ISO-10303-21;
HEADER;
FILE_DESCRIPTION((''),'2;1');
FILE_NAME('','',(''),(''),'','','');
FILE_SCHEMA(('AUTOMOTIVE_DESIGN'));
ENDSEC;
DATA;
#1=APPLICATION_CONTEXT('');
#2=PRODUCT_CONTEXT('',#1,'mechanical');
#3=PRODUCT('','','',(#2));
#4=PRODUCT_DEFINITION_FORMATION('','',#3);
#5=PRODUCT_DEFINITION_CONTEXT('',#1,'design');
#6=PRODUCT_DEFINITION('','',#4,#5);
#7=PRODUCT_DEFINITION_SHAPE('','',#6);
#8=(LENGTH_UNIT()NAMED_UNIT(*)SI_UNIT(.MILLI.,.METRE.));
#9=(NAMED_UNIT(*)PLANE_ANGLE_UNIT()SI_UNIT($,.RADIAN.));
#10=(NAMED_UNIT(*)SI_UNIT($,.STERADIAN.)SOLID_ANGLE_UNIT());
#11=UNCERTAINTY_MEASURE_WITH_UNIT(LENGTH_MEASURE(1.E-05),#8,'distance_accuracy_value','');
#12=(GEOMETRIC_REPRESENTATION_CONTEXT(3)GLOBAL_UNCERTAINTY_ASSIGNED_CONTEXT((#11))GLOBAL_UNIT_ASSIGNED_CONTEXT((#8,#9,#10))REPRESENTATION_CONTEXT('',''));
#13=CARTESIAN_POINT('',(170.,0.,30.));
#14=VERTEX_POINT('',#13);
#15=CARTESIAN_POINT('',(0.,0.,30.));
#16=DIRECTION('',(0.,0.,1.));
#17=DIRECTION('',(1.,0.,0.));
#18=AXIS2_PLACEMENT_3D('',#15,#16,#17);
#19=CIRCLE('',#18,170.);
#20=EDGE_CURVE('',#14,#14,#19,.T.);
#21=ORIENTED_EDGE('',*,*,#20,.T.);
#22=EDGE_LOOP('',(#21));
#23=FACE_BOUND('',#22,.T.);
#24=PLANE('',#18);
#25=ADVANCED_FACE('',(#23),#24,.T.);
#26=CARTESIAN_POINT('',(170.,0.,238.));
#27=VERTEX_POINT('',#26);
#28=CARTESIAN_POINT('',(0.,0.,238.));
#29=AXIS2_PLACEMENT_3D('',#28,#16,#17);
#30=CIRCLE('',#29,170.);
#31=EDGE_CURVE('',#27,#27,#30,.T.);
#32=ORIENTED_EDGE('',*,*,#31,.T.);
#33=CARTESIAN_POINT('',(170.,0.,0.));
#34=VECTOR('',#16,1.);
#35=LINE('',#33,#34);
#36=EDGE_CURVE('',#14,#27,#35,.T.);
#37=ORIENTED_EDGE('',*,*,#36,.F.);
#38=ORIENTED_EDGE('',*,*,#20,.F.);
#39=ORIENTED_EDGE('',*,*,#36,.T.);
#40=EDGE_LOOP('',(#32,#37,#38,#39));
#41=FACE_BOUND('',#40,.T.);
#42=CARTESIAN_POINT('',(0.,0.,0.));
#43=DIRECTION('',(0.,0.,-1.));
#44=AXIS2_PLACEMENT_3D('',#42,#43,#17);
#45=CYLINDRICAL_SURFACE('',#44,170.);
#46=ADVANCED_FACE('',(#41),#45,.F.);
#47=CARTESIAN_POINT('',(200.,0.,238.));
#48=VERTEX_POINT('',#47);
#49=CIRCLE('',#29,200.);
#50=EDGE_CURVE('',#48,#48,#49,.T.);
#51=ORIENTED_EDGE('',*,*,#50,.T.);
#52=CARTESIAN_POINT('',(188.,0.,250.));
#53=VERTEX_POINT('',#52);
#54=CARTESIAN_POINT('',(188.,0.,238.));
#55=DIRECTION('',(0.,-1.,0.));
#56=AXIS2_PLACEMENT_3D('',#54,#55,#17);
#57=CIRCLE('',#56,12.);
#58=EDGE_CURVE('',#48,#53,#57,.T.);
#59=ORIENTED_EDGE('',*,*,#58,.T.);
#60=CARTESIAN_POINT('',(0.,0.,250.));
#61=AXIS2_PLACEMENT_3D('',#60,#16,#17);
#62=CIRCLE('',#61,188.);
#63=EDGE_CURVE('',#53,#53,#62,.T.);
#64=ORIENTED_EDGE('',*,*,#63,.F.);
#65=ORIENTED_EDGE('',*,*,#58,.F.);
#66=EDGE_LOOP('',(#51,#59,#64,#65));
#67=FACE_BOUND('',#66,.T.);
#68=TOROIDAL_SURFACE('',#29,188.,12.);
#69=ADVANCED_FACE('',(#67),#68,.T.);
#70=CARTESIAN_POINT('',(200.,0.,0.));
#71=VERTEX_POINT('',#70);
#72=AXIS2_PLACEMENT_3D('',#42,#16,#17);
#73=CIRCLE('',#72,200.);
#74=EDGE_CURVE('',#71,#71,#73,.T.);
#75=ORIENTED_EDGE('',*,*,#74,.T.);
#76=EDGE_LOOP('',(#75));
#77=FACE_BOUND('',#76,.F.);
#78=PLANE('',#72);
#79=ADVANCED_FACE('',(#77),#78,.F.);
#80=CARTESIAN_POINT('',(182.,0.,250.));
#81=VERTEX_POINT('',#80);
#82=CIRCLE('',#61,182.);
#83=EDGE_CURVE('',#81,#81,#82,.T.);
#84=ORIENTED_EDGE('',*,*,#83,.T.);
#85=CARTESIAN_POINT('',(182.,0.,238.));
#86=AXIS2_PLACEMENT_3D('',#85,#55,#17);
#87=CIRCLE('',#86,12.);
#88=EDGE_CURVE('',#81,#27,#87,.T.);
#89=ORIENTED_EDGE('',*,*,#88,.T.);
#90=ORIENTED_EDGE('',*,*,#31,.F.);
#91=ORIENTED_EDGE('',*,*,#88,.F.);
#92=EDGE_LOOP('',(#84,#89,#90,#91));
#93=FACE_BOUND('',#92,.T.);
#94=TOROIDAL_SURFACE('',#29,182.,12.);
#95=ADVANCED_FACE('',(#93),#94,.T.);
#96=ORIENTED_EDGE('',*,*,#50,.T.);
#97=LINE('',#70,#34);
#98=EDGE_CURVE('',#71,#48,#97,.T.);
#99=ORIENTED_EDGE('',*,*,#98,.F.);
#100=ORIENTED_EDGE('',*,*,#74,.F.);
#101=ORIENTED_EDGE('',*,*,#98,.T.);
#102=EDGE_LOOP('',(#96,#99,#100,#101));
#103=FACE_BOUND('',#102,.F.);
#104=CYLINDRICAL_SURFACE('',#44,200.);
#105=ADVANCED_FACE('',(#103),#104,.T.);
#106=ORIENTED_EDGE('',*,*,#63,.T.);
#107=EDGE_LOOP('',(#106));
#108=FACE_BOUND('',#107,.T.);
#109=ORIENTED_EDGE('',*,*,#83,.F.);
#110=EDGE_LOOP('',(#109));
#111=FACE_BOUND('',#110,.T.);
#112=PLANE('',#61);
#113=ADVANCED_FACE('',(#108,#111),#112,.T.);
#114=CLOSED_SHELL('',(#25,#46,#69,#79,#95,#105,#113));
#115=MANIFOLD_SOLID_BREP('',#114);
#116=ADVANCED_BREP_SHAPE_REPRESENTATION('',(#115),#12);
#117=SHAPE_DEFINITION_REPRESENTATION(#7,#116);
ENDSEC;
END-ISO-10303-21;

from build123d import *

# Parameters (mm, degrees)
F0_R     = 200
F0_R_2   = 170
F1_DEPTH = 250
F2_R     = 170
F3_DEPTH = 30
F4_R     = 12


with BuildPart() as f1:
    # F0 (on Top) → F1 (new body)
    with BuildSketch(Plane.XY):
        Circle(F0_R)
        Circle(F0_R_2, mode=Mode.SUBTRACT)
    extrude(amount=F1_DEPTH)

    # F2 (on Top) → F3 (join)
    with BuildSketch(Plane.XY):
        Circle(F2_R)
    extrude(amount=F3_DEPTH)

    # F4
    f4_edges = [f1.edges().sort_by_distance(p)[0] for p in [
        (-170, 0, 250),
        (-200, 0, 250),
    ]]
    fillet(f4_edges, radius=F4_R)


solid = f1.part
